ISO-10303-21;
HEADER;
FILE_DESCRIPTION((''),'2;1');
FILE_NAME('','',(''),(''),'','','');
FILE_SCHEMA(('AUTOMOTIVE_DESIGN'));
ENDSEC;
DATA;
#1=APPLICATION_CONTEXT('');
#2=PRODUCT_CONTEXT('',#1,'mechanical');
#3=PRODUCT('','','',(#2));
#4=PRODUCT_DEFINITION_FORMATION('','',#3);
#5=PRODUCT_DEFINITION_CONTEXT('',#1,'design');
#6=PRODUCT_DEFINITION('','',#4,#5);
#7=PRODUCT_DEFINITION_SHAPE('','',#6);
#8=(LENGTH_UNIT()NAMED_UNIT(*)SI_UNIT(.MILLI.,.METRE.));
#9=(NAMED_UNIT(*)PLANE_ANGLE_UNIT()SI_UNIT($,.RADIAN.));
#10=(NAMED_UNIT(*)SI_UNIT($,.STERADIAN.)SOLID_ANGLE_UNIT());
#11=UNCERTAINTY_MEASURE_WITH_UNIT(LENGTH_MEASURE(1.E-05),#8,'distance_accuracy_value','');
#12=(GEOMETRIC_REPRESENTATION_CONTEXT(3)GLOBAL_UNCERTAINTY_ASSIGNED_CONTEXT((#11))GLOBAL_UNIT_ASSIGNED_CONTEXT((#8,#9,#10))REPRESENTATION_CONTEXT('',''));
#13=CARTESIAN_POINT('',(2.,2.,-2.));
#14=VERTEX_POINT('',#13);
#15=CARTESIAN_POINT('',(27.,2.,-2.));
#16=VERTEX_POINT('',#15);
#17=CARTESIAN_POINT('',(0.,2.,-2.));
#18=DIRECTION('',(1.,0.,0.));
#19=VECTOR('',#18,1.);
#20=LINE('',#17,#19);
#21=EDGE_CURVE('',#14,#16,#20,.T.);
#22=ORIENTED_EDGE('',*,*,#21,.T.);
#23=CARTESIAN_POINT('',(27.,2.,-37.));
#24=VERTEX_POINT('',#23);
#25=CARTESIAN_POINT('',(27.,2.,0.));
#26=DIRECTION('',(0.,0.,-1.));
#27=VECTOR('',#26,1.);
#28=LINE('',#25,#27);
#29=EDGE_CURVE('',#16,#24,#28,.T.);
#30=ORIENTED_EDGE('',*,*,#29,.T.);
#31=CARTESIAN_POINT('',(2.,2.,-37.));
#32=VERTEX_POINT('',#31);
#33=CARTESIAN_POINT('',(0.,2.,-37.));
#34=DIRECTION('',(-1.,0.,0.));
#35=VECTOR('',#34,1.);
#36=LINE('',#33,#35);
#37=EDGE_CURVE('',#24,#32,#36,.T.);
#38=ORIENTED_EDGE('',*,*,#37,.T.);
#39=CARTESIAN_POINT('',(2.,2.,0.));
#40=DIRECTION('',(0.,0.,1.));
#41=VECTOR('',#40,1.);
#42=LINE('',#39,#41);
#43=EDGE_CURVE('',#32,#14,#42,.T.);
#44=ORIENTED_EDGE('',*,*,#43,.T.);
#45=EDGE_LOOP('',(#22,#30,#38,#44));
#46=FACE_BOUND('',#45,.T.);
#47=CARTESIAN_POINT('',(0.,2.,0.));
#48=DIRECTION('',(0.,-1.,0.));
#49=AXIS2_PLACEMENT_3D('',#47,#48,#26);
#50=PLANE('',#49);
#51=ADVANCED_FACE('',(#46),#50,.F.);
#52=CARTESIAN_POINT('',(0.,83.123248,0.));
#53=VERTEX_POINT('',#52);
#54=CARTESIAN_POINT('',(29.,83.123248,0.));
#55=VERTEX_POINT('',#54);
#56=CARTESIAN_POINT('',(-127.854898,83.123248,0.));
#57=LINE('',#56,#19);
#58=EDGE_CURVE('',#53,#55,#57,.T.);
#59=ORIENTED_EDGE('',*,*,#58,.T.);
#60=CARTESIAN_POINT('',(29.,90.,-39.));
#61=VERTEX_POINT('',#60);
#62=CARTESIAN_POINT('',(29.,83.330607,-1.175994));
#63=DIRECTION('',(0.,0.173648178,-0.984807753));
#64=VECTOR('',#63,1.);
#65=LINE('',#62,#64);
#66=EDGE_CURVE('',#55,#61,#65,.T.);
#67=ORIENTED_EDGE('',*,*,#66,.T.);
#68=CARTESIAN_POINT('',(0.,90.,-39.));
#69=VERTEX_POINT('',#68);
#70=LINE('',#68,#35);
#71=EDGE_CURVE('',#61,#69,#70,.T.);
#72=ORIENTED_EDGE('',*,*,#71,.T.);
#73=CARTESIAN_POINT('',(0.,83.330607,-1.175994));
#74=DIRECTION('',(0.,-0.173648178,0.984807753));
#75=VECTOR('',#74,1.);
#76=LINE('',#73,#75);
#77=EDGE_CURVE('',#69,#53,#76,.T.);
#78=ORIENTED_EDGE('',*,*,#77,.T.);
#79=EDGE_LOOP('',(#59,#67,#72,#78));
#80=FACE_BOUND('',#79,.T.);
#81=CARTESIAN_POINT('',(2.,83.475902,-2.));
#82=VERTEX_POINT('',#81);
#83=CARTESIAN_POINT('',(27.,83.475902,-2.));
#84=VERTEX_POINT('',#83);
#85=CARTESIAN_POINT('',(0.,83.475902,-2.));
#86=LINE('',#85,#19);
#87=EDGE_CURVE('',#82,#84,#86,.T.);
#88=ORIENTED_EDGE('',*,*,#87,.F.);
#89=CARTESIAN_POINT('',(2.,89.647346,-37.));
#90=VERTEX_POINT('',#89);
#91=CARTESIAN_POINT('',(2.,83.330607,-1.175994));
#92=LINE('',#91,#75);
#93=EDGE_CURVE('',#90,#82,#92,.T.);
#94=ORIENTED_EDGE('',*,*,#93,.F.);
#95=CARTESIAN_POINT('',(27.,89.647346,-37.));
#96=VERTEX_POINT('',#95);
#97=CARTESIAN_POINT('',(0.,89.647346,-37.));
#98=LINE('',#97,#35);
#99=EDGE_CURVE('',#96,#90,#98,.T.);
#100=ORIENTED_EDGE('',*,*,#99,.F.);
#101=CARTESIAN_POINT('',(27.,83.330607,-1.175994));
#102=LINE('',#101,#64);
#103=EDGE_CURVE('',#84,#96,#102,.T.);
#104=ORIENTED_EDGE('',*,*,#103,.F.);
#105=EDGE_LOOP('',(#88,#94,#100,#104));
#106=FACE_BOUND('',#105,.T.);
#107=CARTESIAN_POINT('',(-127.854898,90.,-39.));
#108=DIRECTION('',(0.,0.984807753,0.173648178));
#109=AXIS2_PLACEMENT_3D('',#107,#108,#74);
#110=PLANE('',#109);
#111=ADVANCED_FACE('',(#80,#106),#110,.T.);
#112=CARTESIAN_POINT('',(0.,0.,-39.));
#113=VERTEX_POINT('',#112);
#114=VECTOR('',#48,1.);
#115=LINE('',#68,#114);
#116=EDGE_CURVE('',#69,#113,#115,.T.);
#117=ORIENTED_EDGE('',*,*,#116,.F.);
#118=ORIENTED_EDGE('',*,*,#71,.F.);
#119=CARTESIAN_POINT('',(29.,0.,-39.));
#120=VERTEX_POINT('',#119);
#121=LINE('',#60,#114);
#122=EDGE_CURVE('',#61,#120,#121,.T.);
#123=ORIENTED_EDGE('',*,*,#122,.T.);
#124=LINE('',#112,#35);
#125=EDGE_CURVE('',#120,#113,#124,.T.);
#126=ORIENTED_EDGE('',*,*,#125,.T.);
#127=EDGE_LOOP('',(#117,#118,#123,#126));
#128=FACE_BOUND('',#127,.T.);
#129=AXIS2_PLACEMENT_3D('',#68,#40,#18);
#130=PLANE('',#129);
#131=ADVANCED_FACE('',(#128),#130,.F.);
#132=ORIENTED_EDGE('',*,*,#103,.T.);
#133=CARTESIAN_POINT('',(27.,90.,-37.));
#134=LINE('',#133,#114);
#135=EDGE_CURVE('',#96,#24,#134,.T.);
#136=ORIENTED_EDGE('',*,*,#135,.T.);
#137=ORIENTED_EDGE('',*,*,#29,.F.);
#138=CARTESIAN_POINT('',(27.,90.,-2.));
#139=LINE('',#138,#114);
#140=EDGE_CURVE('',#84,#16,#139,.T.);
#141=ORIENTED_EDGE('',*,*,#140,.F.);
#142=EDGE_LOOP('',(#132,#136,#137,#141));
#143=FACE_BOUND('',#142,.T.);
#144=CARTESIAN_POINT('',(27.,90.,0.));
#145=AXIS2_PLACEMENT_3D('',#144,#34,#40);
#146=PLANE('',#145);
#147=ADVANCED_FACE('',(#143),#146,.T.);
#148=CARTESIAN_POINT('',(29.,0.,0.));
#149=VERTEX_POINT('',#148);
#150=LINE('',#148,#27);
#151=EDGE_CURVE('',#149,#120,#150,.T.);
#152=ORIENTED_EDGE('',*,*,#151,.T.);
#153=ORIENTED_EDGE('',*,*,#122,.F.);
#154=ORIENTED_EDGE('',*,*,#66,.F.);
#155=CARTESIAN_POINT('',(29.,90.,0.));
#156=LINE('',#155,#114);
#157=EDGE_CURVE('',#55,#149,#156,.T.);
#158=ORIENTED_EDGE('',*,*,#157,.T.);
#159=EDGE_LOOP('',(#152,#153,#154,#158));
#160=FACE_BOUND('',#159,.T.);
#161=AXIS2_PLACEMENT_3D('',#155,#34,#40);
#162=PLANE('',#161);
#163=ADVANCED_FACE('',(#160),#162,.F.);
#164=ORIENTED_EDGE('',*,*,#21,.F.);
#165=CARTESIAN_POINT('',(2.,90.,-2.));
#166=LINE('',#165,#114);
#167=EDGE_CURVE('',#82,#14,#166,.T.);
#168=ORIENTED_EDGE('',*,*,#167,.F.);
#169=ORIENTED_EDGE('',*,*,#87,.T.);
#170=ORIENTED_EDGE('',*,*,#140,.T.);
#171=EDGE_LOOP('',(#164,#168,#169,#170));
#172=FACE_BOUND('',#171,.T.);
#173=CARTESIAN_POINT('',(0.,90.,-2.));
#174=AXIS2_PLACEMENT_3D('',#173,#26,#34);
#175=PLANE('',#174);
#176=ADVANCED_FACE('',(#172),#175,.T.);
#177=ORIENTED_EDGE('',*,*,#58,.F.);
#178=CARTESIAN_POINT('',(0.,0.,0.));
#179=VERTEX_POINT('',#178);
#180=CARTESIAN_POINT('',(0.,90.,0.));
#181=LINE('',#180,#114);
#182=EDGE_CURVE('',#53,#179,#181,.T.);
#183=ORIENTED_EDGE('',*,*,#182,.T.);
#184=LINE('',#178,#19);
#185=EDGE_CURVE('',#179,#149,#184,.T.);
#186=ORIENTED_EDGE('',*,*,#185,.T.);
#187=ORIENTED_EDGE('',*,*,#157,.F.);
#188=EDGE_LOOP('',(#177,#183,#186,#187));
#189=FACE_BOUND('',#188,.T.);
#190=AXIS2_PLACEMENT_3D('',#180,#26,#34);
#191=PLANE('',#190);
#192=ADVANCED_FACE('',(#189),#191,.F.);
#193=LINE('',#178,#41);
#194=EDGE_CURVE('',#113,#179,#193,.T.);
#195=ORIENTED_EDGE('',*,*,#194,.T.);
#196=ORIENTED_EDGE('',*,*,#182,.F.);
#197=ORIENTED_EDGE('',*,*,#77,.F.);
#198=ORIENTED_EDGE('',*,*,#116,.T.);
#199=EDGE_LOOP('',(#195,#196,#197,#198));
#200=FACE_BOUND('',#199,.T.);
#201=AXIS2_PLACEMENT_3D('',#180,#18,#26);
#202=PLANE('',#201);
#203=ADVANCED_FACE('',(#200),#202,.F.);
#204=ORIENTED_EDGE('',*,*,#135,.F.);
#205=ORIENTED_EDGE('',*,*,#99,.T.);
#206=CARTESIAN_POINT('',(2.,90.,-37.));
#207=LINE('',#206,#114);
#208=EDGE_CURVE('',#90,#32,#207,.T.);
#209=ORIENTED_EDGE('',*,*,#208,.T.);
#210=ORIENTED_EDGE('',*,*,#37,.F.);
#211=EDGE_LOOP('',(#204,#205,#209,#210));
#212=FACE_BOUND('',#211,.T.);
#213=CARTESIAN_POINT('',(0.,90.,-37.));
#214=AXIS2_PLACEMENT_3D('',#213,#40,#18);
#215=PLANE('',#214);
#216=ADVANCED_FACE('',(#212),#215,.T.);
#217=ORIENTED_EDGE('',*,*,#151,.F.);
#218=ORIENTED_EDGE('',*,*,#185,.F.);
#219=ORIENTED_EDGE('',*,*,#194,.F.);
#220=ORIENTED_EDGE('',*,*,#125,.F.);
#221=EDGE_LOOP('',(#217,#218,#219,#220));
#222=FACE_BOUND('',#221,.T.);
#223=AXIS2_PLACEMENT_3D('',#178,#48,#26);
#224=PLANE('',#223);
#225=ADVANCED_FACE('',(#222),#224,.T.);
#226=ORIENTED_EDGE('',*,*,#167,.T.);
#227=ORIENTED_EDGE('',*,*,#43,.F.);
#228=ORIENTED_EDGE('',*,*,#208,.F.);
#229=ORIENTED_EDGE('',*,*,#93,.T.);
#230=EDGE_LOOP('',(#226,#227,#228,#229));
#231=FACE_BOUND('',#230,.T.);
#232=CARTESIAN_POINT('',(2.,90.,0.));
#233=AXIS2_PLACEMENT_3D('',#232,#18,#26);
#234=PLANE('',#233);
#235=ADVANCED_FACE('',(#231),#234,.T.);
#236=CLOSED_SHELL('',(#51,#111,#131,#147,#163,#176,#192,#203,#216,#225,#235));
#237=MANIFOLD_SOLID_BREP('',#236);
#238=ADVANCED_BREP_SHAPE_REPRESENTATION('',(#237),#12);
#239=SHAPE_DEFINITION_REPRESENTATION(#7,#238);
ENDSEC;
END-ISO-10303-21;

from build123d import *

# Parameters (mm, degrees)
SKETCH1_W               = 29
SKETCH1_H               = 39
BOSS_EXTRUDE1_DEPTH     = 90
SHELL1_T                = -2
CUT_EXTRUDE1_DEPTH      = 103.28391858
CUT_EXTRUDE1_DEPTH_BACK = 103.28391858


with BuildPart() as part:
    # Sketch1 → Boss-Extrude1 (new body)
    with BuildSketch(Plane(origin=(0, 0, 0), x_dir=(1, 0, 0), z_dir=(0, 1, 0))):
        with Locations((14.5, 19.5)):
            Rectangle(SKETCH1_W, SKETCH1_H)
    extrude(amount=BOSS_EXTRUDE1_DEPTH)

    # Shell1
    shell1_openings = [part.faces().sort_by_distance(p)[0] for p in [
        (14.5, 90, -19.5),
    ]]
    offset(amount=SHELL1_T, openings=shell1_openings, kind=Kind.INTERSECTION)

    # Sketch3 → Cut-Extrude1 (cut, two sides: drawn at the far end of the back side and taken through both)
    with BuildSketch(Plane.ZY.offset(-CUT_EXTRUDE1_DEPTH_BACK)):
        Polygon((-242.041155587, 125.801633924), (-39, 90), (0, 83.123247752), (203.041155587, 47.321613828), (274.644423436, 453.403925002), (-170.437887739, 531.883945099), align=None)
    extrude(amount=CUT_EXTRUDE1_DEPTH + CUT_EXTRUDE1_DEPTH_BACK, mode=Mode.SUBTRACT)


solid = part.part
